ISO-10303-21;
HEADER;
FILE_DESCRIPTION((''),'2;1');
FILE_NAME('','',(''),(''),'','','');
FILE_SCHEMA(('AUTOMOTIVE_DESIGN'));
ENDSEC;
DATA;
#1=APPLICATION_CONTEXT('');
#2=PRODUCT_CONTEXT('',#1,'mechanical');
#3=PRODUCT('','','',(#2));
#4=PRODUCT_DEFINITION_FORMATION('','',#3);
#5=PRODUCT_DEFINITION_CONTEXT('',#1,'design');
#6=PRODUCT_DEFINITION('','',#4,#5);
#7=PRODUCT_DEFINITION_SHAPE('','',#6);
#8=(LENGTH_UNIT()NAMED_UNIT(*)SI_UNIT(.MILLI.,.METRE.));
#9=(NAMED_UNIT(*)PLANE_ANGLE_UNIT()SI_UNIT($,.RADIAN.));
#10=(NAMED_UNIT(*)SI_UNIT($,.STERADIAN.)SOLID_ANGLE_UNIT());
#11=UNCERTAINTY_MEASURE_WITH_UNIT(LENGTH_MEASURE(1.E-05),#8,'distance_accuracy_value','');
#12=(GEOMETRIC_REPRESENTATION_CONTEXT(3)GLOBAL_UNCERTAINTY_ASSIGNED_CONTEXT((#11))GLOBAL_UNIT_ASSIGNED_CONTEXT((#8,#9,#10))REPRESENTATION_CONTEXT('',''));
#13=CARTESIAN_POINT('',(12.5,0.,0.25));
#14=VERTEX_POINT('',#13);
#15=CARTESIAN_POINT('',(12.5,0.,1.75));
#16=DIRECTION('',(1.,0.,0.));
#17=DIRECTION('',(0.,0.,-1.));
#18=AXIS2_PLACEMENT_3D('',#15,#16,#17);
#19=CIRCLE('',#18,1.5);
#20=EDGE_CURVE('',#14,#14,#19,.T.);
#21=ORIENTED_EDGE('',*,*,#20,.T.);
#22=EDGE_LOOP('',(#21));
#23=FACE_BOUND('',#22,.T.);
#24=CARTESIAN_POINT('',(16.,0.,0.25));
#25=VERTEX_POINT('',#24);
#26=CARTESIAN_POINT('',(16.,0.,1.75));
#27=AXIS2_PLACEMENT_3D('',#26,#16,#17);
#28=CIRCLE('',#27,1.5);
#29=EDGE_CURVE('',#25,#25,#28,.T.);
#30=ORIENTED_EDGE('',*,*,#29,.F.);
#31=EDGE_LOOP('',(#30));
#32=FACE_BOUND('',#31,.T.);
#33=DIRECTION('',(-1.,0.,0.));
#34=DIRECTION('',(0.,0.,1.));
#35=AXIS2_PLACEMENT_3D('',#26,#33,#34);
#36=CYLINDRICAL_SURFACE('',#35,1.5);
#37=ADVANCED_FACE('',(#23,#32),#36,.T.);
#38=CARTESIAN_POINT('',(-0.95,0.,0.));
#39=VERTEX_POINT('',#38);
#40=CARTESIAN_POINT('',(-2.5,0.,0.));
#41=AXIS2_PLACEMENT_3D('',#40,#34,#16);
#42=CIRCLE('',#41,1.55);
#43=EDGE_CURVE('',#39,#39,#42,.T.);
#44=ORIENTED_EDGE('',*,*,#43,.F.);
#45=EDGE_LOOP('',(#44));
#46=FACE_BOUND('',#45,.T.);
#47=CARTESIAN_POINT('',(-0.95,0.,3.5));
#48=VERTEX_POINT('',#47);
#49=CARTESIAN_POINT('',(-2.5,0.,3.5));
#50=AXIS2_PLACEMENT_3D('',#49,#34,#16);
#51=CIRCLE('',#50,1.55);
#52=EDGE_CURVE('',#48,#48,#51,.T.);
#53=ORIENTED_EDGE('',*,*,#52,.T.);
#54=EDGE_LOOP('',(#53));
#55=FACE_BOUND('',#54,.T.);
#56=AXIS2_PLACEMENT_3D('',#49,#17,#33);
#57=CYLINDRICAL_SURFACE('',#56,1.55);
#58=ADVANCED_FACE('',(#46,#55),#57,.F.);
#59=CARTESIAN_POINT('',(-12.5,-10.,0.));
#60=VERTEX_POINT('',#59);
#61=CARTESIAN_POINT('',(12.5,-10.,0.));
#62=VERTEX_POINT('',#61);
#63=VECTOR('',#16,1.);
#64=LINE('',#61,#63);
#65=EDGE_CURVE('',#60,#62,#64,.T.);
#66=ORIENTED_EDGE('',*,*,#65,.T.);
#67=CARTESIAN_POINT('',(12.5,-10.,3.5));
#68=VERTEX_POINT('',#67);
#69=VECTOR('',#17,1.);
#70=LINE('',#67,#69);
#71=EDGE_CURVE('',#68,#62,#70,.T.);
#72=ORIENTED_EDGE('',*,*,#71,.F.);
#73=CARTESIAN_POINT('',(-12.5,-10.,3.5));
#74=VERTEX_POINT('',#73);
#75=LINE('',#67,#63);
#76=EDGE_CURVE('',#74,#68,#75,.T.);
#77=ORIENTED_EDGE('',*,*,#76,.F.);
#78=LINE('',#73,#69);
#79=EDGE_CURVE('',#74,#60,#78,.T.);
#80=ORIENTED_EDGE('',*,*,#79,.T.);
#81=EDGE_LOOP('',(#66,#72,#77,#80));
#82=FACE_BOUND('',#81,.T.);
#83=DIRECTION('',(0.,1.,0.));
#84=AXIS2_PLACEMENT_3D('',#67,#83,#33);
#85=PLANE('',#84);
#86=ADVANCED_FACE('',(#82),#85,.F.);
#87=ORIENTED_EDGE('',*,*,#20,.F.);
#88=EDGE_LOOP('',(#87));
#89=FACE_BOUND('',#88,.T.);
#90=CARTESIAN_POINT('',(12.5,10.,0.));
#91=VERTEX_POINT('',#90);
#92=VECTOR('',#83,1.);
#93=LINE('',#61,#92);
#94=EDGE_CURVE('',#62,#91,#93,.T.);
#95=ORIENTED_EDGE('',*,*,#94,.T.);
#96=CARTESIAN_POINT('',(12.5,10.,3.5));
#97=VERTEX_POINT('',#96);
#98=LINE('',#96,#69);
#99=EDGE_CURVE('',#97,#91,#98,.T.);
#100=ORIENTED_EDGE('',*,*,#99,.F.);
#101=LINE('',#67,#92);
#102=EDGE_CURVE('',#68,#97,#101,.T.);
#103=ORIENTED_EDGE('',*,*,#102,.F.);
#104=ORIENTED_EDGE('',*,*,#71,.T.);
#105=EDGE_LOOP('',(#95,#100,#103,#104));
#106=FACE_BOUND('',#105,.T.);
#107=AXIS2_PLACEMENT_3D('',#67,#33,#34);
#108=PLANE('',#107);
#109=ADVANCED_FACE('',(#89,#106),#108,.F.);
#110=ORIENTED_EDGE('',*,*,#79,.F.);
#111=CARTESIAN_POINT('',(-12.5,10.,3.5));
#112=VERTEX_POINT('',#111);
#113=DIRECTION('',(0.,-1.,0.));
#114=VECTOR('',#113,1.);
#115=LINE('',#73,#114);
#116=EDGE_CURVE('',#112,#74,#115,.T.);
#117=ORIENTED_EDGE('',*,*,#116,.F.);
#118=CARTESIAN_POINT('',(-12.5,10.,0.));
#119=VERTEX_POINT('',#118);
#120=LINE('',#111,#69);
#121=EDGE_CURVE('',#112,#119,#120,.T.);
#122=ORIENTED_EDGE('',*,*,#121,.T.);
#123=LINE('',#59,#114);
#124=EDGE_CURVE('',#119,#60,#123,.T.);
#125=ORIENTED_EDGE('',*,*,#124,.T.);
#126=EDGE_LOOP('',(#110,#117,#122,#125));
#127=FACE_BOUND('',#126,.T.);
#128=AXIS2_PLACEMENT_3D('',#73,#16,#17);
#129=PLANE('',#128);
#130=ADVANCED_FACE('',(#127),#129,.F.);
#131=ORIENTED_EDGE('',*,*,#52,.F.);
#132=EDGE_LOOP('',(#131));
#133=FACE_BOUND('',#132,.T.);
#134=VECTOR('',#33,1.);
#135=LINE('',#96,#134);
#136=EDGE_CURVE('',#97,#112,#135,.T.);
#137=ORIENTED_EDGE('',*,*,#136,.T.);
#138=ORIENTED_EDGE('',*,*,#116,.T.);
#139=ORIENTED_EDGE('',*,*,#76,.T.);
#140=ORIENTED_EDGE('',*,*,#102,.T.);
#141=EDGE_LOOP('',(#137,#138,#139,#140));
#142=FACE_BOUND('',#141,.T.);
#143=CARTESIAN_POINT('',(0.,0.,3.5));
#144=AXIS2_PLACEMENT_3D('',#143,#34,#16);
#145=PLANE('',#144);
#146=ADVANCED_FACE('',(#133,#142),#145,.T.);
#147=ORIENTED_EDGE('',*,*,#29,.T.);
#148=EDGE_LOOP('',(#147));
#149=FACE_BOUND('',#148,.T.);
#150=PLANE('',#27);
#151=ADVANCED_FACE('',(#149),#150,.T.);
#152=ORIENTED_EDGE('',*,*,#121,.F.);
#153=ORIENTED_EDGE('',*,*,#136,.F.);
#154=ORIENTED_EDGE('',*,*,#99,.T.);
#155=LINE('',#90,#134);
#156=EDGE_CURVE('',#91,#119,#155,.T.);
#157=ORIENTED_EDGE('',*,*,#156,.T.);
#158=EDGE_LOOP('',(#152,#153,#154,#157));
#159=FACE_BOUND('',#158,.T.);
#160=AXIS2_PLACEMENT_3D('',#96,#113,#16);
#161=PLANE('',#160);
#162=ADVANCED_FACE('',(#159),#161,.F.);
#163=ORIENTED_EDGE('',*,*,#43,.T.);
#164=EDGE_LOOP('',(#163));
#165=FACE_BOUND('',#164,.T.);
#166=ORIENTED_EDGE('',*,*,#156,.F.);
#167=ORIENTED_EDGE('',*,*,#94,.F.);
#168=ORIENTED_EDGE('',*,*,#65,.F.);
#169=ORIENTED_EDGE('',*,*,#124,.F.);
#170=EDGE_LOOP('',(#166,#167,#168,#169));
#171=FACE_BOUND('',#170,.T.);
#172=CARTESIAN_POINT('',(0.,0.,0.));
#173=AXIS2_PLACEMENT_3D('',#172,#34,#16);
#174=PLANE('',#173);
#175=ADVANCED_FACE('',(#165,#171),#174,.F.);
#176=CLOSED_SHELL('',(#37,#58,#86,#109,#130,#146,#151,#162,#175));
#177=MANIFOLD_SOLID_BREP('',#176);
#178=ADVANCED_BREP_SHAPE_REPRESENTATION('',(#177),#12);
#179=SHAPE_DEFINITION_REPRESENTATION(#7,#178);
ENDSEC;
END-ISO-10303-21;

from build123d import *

# Parameters (mm, degrees)
SKETCH_1_W      = 25
SKETCH_1_H      = 20
SKETCH_1_R      = 1.55
EXTRUDE_1_DEPTH = 3.5
SKETCH_2_R      = 1.5
EXTRUDE_2_DEPTH = 3.5


with BuildPart() as part:
    # 草图1 → 凸台-拉伸1 (new body)
    with BuildSketch(Plane.XY):
        Rectangle(SKETCH_1_W, SKETCH_1_H)
        with Locations((-2.5, 0)):
            Circle(SKETCH_1_R, mode=Mode.SUBTRACT)
    extrude(amount=EXTRUDE_1_DEPTH)

    # 草图2 → 凸台-拉伸2 (add)
    with BuildSketch(Plane(origin=(12.5, 0, 0), x_dir=(0, 0, -1), z_dir=(1, 0, 0))):
        with Locations((-1.75, 0)):
            Circle(SKETCH_2_R)
    extrude(amount=EXTRUDE_2_DEPTH)


solid = part.part
